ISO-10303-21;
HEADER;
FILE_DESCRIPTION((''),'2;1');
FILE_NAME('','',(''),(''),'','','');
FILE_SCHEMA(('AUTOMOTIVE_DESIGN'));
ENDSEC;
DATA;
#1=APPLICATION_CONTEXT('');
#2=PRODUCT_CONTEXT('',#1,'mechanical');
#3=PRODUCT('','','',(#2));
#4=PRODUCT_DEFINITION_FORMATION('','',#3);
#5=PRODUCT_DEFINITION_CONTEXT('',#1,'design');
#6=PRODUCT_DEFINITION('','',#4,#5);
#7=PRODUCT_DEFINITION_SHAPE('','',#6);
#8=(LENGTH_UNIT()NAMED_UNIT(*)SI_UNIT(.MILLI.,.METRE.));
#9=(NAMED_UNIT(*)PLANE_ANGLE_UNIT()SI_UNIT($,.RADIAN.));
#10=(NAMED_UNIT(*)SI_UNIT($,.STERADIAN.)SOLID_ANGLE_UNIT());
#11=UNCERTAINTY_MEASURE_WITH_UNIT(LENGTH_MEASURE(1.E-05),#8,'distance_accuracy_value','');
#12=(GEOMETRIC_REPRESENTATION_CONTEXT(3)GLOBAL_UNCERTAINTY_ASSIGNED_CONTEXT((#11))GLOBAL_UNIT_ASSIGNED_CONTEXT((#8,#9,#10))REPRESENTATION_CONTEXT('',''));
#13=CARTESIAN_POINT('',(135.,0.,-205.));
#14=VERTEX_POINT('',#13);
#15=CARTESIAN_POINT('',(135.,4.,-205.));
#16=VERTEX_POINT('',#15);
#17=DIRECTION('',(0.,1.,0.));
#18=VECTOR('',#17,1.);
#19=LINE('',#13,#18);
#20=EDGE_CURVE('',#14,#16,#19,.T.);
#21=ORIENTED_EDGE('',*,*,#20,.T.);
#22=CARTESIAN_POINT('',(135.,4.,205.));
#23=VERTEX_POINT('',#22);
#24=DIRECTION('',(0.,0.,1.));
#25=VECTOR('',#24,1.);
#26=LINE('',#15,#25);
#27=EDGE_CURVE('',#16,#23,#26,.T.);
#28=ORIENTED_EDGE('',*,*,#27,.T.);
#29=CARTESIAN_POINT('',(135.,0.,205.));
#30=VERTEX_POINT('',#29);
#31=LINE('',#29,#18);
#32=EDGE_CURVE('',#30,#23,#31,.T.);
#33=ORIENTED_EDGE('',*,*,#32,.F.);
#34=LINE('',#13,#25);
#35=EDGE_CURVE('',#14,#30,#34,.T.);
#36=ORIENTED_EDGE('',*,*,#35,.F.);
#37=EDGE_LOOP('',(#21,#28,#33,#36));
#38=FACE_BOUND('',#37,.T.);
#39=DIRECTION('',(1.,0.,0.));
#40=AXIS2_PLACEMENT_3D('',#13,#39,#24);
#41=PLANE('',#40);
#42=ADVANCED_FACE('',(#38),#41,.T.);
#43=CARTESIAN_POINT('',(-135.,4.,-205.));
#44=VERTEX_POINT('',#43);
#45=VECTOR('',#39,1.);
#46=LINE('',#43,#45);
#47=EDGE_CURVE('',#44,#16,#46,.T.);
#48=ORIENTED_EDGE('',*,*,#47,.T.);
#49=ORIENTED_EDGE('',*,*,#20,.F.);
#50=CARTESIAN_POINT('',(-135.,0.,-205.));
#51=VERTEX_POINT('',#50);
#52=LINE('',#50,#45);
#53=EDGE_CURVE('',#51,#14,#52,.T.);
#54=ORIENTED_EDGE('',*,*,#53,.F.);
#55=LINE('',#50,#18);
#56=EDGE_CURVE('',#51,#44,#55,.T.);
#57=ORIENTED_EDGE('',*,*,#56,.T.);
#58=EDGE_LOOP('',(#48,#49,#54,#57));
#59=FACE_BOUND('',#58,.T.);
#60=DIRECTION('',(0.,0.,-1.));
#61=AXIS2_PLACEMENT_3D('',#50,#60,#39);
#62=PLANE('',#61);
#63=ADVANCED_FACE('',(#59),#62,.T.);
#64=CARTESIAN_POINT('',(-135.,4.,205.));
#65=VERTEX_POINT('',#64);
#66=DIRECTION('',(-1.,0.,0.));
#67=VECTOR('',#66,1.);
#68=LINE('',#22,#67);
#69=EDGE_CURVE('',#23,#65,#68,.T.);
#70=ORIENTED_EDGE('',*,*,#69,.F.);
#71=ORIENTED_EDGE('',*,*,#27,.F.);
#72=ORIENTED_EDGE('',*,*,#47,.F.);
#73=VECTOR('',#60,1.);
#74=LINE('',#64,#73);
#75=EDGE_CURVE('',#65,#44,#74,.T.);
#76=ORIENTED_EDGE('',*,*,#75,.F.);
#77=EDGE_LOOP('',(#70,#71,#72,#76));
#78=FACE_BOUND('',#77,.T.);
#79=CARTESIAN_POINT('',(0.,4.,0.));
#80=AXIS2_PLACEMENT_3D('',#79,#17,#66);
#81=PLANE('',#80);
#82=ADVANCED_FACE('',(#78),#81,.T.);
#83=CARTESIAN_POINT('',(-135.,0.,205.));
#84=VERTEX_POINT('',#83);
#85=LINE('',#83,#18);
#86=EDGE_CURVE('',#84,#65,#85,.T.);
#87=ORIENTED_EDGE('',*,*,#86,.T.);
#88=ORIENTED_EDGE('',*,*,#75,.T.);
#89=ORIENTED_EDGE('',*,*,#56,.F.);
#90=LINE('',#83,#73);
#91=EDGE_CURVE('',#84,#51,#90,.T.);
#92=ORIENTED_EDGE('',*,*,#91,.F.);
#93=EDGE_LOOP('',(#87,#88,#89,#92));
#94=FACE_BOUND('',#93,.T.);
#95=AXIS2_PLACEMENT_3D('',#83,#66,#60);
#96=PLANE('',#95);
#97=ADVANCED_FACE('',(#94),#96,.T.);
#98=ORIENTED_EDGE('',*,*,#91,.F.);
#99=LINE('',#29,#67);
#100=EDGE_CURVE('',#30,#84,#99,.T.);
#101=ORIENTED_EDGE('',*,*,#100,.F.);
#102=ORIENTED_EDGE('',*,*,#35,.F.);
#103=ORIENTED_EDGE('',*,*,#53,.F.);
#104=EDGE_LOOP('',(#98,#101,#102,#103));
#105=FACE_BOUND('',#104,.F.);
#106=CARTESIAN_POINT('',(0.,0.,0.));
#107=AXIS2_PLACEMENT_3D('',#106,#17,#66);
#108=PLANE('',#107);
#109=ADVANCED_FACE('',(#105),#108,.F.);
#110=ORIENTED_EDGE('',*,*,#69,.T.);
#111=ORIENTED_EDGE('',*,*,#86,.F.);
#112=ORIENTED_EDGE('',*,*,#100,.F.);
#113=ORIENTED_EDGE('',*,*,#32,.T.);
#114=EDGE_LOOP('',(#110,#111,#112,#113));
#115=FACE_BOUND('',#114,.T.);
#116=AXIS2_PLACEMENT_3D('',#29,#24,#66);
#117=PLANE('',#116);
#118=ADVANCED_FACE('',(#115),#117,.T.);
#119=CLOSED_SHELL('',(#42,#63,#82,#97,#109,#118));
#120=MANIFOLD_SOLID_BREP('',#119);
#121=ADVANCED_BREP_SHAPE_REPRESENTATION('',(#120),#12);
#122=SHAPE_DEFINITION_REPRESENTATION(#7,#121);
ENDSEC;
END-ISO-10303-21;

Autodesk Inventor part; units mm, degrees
ref_plane "YZ Plane" through (0, 0, 0) normal (1, 0, 0) x (0, 1, 0)
ref_plane "XZ Plane" through (0, 0, 0) normal (0, 1, 0) x (-1, 0, 0)
ref_plane "XY Plane" through (0, 0, 0) normal (0, 0, 1) x (1, 0, 0)
sketch "Sketch1" plane through (0, 0, 0) normal (0, 1, 0) x (-1, 0, 0)
  line L0 (-135, 205) -> (135, 205)
  line L1 (135, 205) -> (135, -205)
  line L2 (135, -205) -> (-135, -205)
  line L3 (-135, -205) -> (-135, 205)
  line L4 (-135, 205) -> (135, -205) construction
  line L5 (135, 205) -> (-135, -205) construction
  point P0 (0, 0)
  dimension "d0" = 270
  dimension "d1" = 410
extrude "Extrusion1" add sketch "Sketch1" along normal blind 4
properties part number "Electronics plate" material "Wood (Birch)"
